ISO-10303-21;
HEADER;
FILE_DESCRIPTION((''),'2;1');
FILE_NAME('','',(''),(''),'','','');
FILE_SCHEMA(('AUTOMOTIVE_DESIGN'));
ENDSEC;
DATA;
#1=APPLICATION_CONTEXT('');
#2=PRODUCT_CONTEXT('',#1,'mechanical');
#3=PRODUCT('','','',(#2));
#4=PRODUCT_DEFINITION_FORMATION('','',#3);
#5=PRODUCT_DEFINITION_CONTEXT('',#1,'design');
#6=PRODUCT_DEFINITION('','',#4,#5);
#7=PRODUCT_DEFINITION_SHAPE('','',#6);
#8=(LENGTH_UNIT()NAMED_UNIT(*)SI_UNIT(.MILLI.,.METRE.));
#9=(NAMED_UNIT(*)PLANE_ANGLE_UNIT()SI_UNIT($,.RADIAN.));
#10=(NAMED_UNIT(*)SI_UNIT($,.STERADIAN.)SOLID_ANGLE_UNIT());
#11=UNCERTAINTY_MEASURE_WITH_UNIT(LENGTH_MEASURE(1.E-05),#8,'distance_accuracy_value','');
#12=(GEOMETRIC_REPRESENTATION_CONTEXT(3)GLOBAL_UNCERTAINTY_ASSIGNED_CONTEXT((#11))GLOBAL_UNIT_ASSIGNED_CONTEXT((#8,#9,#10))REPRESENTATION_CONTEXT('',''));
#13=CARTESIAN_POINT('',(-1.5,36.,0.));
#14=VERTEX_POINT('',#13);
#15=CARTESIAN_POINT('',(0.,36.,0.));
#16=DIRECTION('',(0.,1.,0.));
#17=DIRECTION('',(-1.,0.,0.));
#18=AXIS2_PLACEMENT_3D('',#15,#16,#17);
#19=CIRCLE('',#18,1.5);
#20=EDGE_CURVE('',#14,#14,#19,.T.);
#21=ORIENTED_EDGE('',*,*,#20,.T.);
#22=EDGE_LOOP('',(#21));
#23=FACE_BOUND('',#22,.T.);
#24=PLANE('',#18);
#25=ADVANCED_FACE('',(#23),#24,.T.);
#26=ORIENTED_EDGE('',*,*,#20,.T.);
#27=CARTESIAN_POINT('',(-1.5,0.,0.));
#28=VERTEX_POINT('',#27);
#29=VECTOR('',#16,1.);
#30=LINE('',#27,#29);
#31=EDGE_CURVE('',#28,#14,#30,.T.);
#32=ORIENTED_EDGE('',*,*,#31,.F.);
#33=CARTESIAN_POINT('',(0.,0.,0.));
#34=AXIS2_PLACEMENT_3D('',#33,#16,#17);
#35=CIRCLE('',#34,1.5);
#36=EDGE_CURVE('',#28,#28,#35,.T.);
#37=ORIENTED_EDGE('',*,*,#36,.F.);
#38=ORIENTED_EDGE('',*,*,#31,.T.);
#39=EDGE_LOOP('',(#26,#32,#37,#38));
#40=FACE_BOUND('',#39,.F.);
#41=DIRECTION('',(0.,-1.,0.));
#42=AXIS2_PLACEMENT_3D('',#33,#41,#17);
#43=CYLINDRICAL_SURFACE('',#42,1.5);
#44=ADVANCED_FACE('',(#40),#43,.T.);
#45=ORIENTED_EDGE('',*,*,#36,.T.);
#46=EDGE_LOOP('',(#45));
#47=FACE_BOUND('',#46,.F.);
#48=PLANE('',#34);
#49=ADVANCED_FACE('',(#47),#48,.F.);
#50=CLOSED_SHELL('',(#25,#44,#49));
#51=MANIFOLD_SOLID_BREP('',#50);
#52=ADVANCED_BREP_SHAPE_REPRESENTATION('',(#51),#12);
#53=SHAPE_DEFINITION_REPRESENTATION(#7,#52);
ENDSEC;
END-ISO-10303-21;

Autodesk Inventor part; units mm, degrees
ref_plane "YZ Plane" through (0, 0, 0) normal (1, 0, 0) x (0, 1, 0)
ref_plane "XZ Plane" through (0, 0, 0) normal (0, 1, 0) x (-1, 0, 0)
ref_plane "XY Plane" through (0, 0, 0) normal (0, 0, 1) x (1, 0, 0)
sketch "Sketch1" plane through (0, 0, 0) normal (0, 1, 0) x (-1, 0, 0)
  circle A0 centre (0, 0) radius 1.5
  dimension "d0" = 3
extrude "Extrusion1" add sketch "Sketch1" along normal blind 36
properties part number "screw2"
